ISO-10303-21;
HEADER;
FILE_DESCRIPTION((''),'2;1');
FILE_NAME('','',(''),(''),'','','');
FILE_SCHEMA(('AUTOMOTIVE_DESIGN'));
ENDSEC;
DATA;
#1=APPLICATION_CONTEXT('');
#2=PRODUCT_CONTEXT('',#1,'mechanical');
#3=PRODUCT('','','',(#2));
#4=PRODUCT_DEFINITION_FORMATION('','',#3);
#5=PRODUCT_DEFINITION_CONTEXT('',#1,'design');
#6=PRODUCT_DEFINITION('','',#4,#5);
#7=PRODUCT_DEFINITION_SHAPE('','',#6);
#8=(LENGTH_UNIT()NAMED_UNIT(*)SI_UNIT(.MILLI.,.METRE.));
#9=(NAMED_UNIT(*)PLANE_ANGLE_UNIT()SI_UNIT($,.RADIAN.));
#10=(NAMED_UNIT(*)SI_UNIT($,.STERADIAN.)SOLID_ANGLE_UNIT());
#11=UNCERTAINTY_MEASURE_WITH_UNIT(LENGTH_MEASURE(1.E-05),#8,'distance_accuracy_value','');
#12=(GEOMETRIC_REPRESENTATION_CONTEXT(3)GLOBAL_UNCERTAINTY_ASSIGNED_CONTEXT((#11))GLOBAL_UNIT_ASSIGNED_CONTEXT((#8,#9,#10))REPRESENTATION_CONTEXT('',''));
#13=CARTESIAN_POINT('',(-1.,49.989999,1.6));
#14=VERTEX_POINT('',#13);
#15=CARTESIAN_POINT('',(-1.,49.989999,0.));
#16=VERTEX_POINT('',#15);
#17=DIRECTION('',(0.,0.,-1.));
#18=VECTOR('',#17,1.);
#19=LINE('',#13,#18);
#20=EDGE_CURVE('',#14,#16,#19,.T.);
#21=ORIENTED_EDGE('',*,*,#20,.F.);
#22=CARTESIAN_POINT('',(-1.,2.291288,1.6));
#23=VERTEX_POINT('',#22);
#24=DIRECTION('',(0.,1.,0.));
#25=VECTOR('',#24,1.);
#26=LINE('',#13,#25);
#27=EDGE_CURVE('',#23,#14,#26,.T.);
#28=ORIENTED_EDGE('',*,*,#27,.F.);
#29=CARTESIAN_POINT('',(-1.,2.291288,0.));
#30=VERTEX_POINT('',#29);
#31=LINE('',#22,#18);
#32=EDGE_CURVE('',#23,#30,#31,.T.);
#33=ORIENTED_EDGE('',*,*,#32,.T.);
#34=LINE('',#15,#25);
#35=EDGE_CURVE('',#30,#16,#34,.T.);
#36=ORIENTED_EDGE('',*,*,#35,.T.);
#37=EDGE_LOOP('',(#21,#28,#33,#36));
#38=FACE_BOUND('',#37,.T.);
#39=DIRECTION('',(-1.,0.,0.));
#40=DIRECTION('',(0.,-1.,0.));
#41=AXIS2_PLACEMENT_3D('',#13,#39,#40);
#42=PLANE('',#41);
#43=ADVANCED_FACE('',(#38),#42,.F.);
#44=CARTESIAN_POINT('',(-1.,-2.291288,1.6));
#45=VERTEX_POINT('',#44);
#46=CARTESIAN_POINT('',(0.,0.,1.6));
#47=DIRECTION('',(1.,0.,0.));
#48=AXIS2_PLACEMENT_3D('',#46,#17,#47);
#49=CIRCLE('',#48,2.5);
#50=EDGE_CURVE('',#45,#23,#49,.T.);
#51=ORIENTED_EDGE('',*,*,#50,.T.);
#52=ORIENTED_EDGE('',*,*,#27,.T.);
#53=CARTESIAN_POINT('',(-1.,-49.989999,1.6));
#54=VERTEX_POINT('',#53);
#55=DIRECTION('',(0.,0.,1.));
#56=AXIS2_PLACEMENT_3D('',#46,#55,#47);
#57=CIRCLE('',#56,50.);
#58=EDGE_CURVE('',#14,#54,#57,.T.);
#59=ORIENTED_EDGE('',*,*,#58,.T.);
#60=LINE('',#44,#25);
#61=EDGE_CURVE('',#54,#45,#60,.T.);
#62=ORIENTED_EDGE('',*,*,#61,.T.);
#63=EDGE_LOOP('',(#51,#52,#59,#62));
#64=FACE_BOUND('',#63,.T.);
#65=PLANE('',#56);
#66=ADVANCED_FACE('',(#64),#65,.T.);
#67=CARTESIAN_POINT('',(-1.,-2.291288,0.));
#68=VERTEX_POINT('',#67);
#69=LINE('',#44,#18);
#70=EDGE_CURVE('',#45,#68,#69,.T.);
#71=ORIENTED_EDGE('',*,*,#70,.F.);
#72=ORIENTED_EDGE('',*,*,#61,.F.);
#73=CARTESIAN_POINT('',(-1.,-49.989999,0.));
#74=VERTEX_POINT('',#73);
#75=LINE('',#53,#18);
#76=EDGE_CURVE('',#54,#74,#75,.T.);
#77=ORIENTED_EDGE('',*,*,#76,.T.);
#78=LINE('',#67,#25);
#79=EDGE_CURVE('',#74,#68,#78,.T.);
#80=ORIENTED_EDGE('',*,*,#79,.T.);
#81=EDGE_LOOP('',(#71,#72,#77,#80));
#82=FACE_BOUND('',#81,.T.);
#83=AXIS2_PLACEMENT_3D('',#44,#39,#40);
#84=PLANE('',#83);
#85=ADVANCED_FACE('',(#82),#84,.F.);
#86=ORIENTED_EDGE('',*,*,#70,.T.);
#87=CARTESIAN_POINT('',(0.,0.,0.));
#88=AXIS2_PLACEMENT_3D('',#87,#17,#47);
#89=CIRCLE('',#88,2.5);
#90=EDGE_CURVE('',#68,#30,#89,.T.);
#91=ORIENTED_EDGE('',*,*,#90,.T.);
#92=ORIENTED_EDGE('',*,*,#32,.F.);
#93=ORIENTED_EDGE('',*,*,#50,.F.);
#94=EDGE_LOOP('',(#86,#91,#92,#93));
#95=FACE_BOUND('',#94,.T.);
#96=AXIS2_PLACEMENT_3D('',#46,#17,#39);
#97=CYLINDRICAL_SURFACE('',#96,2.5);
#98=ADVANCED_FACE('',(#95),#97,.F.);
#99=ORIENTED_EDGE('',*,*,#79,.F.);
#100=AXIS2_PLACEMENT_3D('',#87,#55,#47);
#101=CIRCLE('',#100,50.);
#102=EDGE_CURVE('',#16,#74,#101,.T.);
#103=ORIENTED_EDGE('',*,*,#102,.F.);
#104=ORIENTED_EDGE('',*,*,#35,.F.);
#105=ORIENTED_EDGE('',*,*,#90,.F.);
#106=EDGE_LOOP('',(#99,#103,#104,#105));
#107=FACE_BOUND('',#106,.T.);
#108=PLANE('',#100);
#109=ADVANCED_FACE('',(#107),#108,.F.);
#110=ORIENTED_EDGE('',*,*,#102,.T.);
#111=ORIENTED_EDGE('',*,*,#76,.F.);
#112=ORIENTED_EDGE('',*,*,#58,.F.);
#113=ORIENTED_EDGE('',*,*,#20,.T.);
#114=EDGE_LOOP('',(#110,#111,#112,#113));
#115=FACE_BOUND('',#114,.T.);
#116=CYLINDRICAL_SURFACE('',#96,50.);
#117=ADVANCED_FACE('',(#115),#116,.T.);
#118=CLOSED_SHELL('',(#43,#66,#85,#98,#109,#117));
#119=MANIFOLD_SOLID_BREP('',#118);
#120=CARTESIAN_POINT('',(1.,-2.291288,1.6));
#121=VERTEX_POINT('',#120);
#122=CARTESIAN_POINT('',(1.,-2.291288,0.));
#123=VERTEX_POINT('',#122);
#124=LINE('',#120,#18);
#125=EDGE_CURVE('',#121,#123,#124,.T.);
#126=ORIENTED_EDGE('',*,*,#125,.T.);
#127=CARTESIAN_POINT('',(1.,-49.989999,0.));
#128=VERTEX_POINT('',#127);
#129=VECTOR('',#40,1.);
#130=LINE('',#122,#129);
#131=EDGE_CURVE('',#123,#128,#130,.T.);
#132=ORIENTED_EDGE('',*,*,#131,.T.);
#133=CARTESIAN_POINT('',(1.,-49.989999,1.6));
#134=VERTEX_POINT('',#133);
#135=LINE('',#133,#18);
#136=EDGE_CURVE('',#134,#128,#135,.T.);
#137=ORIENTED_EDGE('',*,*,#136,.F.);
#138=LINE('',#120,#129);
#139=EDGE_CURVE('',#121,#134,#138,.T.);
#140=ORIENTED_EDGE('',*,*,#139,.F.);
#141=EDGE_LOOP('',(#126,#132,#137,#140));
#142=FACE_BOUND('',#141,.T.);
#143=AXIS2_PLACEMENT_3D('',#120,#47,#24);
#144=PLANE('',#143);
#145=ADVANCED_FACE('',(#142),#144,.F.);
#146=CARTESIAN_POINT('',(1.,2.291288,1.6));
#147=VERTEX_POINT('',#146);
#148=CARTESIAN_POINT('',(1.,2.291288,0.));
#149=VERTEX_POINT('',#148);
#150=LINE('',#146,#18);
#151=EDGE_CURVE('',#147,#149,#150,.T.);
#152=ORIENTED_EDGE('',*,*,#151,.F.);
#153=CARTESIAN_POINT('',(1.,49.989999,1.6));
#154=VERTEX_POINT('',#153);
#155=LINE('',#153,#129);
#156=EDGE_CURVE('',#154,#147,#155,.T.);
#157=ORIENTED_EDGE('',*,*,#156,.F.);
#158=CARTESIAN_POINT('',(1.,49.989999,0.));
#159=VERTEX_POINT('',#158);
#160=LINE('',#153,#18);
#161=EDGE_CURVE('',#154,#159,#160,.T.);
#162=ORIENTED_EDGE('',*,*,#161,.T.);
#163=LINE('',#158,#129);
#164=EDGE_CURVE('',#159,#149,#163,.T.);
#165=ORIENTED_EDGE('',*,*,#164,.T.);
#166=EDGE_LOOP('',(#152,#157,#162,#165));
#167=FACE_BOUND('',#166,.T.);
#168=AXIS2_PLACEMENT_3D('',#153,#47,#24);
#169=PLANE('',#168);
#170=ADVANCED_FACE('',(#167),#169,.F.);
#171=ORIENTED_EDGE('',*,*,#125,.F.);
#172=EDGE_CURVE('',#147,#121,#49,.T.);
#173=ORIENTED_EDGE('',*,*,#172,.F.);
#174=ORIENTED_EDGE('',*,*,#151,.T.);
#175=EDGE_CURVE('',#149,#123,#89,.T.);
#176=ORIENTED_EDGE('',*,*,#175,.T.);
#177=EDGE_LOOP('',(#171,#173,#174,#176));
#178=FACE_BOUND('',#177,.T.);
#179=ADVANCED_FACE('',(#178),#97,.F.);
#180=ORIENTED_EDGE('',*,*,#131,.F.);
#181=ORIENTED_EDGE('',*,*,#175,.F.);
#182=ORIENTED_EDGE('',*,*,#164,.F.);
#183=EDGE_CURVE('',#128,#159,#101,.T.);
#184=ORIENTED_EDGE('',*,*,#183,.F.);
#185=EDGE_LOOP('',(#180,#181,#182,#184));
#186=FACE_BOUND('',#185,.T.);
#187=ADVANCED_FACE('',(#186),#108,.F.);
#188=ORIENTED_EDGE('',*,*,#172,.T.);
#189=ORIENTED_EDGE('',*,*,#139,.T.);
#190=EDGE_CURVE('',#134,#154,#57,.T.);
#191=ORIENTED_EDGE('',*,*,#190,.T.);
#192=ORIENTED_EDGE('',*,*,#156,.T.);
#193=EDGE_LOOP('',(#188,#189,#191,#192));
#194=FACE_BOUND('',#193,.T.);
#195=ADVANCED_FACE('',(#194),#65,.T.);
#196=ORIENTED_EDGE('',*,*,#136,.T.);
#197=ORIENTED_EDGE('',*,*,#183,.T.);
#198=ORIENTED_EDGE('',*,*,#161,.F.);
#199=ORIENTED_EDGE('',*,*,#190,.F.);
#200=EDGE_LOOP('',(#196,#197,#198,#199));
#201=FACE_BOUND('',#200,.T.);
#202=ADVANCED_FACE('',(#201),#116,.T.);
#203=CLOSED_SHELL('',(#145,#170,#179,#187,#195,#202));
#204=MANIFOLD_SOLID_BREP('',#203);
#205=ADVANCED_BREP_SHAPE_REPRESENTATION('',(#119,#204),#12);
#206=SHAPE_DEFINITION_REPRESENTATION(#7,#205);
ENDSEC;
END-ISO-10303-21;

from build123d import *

# Parameters (mm, degrees)
AUFSATZ_LINEAR_AUSTRAGEN1_DEPTH   = 1.6
AUFSATZ_LINEAR_AUSTRAGEN1_2_DEPTH = 1.6


with BuildPart() as part:
    # Skizze1 → Aufsatz-Linear austragen1 (new body)
    with BuildSketch(Plane.XY):
        with BuildLine():
            Line((-1, 49.989999), (-1, 2.291287847))
            ThreePointArc((-1, 2.291287847), (-2.5, 0), (-1, -2.291287847))
            Line((-1, -2.291287847), (-1, -49.989999))
            ThreePointArc((-1, -49.989999), (-50, 0), (-1, 49.989999))
        make_face()
    extrude(amount=AUFSATZ_LINEAR_AUSTRAGEN1_DEPTH)


with BuildPart() as body_2:
    # Skizze1 → Aufsatz-Linear austragen1 2 (new body)
    with BuildSketch(Plane.XY):
        with BuildLine():
            Line((1, 49.989999), (1, 2.291287847))
            ThreePointArc((1, 2.291287847), (2.5, 0), (1, -2.291287847))
            Line((1, -2.291287847), (1, -49.989999))
            ThreePointArc((1, -49.989999), (50, 0), (1, 49.989999))
        make_face()
    extrude(amount=AUFSATZ_LINEAR_AUSTRAGEN1_2_DEPTH)


solid = Compound([part.part, body_2.part])
